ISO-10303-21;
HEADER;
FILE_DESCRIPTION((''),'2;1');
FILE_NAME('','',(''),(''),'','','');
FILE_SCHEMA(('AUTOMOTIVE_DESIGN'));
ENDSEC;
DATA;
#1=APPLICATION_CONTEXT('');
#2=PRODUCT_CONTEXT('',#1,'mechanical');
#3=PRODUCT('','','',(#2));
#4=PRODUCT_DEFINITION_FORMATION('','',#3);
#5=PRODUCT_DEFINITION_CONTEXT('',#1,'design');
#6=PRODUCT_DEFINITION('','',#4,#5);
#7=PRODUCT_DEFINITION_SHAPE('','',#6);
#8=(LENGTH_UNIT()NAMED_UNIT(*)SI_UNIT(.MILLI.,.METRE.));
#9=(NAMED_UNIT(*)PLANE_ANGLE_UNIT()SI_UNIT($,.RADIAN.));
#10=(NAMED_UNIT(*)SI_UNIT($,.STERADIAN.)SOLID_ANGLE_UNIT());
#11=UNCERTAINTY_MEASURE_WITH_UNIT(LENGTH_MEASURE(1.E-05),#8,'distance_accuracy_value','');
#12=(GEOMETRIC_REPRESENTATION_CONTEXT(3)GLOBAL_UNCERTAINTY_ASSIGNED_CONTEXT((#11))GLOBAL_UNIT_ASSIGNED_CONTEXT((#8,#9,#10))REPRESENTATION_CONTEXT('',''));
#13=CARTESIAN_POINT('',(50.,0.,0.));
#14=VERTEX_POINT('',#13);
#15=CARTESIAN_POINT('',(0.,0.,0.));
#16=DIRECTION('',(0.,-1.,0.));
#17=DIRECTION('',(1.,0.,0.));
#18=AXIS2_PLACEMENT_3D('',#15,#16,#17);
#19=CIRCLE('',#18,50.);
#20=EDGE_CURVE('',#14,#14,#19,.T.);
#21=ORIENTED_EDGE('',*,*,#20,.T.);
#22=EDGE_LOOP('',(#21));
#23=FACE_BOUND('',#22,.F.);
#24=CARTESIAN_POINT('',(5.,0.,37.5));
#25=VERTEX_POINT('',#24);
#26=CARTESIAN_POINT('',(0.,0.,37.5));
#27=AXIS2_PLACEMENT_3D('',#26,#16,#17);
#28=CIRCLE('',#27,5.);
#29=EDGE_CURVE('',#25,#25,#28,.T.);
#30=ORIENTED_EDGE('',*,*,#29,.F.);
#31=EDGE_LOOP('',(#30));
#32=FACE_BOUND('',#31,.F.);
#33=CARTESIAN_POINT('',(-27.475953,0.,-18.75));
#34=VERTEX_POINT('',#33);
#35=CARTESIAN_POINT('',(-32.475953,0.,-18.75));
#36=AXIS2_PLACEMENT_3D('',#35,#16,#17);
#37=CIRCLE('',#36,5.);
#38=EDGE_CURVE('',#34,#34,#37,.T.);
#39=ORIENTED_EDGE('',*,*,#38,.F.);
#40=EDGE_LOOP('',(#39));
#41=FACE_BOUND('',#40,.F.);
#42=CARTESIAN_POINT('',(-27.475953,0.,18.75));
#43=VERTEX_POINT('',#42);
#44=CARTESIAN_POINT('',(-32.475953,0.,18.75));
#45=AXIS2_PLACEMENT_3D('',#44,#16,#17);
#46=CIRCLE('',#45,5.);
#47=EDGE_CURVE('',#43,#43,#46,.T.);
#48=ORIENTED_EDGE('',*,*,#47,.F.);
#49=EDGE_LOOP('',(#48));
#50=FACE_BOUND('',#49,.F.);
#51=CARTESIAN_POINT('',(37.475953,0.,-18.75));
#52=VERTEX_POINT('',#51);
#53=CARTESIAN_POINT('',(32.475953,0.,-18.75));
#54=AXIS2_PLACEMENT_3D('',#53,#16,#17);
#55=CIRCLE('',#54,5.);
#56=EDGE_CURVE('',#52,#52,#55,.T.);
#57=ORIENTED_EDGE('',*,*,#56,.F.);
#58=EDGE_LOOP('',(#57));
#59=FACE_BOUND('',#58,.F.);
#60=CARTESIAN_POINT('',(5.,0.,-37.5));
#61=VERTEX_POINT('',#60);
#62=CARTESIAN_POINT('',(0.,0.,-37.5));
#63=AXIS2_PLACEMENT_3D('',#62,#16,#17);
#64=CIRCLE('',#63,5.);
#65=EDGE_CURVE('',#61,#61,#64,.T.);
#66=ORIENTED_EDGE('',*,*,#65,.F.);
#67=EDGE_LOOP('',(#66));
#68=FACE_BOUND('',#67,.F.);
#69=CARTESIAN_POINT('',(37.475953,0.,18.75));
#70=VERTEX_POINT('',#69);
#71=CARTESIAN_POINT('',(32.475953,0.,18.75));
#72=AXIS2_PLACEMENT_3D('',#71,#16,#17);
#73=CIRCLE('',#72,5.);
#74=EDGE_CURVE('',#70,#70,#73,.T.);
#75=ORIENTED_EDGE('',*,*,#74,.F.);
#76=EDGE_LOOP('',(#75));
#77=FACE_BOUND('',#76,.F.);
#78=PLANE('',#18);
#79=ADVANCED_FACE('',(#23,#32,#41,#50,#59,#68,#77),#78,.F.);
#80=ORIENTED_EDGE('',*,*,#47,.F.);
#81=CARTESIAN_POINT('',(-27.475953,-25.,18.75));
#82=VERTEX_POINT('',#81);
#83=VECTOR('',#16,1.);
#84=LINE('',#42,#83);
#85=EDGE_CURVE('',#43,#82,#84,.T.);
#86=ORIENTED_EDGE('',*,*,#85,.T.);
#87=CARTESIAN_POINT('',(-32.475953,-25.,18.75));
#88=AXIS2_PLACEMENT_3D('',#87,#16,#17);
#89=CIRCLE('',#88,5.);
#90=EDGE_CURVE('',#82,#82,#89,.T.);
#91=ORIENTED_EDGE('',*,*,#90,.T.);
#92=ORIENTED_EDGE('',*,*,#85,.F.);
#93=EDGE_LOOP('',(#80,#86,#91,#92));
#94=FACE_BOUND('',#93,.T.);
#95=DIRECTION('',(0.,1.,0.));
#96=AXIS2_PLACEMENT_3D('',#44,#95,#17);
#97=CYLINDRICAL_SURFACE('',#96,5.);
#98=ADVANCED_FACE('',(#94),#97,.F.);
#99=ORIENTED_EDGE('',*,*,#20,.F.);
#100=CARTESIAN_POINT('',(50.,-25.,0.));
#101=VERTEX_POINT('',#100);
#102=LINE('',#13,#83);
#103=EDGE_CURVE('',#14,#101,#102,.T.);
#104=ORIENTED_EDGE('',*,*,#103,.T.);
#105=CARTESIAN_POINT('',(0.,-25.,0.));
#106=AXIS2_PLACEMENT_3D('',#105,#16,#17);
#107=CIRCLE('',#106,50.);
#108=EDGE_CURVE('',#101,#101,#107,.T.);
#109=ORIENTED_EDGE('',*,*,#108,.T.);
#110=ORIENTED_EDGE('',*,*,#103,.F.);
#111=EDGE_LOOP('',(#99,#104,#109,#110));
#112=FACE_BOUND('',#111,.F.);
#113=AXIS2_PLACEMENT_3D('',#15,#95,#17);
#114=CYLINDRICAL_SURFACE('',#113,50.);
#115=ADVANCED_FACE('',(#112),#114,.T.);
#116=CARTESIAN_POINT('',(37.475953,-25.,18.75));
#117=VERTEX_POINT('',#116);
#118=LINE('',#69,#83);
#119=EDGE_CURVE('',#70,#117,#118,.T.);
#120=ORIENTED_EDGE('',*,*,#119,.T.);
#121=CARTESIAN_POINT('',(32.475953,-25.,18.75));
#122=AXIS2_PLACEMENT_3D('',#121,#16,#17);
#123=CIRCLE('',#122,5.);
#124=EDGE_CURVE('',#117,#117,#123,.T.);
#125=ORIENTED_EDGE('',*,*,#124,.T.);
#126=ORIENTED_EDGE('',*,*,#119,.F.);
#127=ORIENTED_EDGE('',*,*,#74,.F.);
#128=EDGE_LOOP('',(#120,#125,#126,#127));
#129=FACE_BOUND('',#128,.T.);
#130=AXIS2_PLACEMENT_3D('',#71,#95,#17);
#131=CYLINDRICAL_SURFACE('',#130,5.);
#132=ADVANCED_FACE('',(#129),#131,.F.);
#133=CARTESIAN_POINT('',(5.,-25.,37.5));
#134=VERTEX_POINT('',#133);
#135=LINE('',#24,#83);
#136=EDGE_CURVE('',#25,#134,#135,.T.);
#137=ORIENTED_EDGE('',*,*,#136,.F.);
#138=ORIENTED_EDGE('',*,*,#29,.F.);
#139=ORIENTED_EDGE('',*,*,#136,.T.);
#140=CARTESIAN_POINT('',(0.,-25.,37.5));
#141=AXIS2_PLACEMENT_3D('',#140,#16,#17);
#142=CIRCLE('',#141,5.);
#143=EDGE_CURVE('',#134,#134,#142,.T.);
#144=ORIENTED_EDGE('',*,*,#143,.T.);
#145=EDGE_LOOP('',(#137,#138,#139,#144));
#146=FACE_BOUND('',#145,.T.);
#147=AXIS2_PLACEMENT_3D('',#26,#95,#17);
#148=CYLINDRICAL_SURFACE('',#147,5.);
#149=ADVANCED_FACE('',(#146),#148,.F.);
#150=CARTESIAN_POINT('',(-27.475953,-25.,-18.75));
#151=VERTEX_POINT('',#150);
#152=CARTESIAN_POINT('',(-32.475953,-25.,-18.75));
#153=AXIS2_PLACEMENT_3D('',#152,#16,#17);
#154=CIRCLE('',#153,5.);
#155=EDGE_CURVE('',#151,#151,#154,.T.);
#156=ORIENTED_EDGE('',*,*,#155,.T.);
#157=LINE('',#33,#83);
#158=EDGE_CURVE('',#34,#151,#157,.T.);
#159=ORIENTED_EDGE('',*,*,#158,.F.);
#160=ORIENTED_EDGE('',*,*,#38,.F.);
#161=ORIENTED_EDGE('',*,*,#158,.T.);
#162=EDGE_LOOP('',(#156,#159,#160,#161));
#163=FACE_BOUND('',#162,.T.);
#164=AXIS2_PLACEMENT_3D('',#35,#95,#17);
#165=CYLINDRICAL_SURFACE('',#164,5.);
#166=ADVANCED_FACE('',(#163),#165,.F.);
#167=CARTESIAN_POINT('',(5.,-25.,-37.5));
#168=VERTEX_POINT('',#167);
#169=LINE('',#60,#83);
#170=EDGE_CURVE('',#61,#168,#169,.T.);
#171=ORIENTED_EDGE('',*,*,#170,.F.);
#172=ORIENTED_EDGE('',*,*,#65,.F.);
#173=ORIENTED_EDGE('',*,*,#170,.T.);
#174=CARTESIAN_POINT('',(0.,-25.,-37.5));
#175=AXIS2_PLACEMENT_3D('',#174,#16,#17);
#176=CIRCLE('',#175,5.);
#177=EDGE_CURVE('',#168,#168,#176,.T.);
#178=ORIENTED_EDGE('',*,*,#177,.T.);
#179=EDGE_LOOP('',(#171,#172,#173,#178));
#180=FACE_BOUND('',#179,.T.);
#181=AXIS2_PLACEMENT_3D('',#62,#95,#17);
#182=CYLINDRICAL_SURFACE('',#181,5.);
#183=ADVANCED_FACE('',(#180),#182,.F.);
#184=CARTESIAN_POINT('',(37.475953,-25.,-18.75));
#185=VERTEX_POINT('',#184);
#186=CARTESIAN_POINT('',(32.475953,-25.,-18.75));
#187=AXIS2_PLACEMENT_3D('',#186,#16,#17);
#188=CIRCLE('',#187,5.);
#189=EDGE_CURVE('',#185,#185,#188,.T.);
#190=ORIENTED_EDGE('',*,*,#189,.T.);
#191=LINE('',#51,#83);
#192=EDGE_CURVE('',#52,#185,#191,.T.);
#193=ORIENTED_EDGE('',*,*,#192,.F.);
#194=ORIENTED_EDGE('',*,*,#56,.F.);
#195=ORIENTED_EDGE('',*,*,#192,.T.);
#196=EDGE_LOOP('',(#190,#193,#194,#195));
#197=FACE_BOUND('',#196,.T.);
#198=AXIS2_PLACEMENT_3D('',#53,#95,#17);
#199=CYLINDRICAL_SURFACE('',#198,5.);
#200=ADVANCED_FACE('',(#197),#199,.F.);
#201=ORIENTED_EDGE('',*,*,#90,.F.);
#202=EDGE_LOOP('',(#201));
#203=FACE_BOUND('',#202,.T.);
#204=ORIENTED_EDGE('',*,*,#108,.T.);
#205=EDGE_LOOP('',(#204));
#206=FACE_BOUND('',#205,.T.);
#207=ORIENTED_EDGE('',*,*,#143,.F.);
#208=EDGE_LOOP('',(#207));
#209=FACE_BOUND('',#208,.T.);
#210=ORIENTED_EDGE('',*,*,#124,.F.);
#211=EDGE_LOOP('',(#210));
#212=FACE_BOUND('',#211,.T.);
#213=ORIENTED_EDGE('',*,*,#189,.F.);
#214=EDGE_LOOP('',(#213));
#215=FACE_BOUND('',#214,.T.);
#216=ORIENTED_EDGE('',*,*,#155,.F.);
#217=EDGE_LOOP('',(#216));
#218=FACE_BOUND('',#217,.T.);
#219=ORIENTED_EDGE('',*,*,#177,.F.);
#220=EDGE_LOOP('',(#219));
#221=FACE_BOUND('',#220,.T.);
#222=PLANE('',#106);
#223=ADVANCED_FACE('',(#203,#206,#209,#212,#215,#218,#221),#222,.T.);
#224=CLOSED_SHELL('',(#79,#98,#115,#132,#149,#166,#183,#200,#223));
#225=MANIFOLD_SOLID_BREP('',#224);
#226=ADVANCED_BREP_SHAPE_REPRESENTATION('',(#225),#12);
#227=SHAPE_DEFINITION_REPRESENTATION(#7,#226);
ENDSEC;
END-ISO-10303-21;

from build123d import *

# Parameters (mm, degrees)
F0_R     = 50
F0_R_2   = 5
F1_DEPTH = 25


with BuildPart() as f1:
    # F0 (on Front) → F1 (new body)
    with BuildSketch(Plane.XZ):
        Circle(F0_R)
        with Locations((-32.475953, -18.75)):
            Circle(F0_R_2, mode=Mode.SUBTRACT)
        with Locations((0, -37.5)):
            Circle(F0_R_2, mode=Mode.SUBTRACT)
        with Locations((32.475953, -18.75)):
            Circle(F0_R_2, mode=Mode.SUBTRACT)
        with Locations((-32.475953, 18.75)):
            Circle(F0_R_2, mode=Mode.SUBTRACT)
        with Locations((32.475953, 18.75)):
            Circle(F0_R_2, mode=Mode.SUBTRACT)
        with Locations((0, 37.5)):
            Circle(F0_R_2, mode=Mode.SUBTRACT)
    extrude(amount=F1_DEPTH)


solid = f1.part
